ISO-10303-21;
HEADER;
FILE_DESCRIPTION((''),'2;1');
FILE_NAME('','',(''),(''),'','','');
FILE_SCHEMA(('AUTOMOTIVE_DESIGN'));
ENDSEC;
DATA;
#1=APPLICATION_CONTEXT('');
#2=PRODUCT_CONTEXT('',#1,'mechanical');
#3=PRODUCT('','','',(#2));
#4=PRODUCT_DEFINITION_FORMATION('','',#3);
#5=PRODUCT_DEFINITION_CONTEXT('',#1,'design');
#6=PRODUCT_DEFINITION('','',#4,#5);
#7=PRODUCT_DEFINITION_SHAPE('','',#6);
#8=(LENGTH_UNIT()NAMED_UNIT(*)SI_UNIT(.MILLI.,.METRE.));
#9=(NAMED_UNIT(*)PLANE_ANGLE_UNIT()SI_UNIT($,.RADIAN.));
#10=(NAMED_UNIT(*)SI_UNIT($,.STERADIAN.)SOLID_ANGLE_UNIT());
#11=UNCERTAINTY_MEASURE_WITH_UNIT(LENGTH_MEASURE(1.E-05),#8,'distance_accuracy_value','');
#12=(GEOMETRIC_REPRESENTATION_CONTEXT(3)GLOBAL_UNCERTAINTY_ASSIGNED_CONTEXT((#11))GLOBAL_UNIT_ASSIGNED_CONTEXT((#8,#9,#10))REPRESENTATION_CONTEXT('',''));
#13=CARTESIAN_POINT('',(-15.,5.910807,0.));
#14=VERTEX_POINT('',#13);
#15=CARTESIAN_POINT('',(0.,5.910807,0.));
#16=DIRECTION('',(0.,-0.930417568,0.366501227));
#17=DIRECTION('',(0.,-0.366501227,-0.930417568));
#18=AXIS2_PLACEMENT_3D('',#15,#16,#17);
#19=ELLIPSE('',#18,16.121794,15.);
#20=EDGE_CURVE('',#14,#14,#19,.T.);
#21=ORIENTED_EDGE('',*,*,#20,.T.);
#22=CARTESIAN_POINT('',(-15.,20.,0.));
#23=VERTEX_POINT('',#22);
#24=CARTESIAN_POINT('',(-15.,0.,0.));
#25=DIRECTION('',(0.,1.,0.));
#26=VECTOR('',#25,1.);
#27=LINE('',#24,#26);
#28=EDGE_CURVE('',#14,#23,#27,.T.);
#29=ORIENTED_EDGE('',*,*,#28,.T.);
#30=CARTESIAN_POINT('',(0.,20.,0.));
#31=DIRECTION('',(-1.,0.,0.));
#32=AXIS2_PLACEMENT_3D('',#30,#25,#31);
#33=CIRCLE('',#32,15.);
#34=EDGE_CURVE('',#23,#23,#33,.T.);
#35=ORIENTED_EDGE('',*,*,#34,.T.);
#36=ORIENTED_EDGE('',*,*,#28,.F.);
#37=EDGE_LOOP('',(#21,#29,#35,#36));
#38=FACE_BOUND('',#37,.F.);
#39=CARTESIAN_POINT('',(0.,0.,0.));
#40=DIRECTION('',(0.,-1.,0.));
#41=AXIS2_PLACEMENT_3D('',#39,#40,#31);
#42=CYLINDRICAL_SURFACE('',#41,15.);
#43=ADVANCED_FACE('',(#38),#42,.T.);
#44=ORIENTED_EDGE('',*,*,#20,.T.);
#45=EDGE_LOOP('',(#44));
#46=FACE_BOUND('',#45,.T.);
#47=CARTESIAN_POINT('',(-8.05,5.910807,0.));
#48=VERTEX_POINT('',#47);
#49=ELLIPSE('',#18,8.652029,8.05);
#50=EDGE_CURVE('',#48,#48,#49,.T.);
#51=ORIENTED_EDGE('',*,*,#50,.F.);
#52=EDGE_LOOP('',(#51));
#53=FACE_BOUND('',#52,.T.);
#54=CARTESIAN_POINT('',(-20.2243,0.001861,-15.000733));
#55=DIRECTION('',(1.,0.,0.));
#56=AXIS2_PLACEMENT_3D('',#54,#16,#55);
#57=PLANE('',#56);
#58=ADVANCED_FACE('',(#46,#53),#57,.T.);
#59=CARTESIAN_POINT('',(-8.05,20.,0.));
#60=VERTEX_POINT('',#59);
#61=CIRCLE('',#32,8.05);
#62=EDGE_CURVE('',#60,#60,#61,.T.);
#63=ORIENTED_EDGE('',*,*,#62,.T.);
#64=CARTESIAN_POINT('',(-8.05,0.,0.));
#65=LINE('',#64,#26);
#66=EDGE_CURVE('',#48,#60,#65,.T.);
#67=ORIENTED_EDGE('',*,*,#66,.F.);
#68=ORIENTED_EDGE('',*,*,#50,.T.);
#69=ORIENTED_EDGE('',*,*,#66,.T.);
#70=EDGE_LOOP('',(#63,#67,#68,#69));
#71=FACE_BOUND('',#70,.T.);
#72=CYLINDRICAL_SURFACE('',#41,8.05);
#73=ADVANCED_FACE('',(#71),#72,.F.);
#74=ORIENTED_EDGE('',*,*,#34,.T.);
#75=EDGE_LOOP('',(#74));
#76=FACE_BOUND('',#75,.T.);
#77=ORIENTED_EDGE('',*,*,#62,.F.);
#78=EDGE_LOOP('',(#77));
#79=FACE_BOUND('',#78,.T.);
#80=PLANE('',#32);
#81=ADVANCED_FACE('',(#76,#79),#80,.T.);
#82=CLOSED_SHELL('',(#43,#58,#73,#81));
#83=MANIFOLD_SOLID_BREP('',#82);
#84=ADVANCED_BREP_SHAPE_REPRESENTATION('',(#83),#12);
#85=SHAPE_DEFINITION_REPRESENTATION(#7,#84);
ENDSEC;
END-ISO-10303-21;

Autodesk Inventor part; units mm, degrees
ref_plane "YZ Plane" through (0, 0, 0) normal (1, 0, 0) x (0, 1, 0)
ref_plane "XZ Plane" through (0, 0, 0) normal (0, 1, 0) x (-1, 0, 0)
sketch "Sketch1" plane through (0, 0, 0) normal (0, 1, 0) x (-1, 0, 0)
  circle A0 centre (0, 0) radius 15
  circle A1 centre (0, 0) radius 8.05
  line L0 (20.2243, -15) -> (-24.2089, -15) construction
  dimension "d0" = 30
  dimension "d1" = 16.1
extrude "Extrusion1" add sketch "Sketch1" along normal blind 20
ref_plane "Work Plane1" through (-20.2243, 0, -15) normal (0, -0.9304, 0.3665) x (1, 0, 0)
sketch "Sketch2" plane through (-20.2243, 0, -15) normal (0, -0.9304, 0.3665) x (1, 0, 0)
  line L0 (1.1433, -5.018) -> (38.442, -5.018)
  line L1 (38.442, -5.018) -> (38.442, 42.5884)
  line L2 (38.442, 42.5884) -> (1.1433, 42.5884)
  line L3 (1.1433, 42.5884) -> (1.1433, -5.018)
  point P0 (20.2243, 13.9563)
extrude "Extrusion2" cut sketch "Sketch2" along normal blind 20
properties part number "Test - 16.25mmID at 22.4degAngle"
